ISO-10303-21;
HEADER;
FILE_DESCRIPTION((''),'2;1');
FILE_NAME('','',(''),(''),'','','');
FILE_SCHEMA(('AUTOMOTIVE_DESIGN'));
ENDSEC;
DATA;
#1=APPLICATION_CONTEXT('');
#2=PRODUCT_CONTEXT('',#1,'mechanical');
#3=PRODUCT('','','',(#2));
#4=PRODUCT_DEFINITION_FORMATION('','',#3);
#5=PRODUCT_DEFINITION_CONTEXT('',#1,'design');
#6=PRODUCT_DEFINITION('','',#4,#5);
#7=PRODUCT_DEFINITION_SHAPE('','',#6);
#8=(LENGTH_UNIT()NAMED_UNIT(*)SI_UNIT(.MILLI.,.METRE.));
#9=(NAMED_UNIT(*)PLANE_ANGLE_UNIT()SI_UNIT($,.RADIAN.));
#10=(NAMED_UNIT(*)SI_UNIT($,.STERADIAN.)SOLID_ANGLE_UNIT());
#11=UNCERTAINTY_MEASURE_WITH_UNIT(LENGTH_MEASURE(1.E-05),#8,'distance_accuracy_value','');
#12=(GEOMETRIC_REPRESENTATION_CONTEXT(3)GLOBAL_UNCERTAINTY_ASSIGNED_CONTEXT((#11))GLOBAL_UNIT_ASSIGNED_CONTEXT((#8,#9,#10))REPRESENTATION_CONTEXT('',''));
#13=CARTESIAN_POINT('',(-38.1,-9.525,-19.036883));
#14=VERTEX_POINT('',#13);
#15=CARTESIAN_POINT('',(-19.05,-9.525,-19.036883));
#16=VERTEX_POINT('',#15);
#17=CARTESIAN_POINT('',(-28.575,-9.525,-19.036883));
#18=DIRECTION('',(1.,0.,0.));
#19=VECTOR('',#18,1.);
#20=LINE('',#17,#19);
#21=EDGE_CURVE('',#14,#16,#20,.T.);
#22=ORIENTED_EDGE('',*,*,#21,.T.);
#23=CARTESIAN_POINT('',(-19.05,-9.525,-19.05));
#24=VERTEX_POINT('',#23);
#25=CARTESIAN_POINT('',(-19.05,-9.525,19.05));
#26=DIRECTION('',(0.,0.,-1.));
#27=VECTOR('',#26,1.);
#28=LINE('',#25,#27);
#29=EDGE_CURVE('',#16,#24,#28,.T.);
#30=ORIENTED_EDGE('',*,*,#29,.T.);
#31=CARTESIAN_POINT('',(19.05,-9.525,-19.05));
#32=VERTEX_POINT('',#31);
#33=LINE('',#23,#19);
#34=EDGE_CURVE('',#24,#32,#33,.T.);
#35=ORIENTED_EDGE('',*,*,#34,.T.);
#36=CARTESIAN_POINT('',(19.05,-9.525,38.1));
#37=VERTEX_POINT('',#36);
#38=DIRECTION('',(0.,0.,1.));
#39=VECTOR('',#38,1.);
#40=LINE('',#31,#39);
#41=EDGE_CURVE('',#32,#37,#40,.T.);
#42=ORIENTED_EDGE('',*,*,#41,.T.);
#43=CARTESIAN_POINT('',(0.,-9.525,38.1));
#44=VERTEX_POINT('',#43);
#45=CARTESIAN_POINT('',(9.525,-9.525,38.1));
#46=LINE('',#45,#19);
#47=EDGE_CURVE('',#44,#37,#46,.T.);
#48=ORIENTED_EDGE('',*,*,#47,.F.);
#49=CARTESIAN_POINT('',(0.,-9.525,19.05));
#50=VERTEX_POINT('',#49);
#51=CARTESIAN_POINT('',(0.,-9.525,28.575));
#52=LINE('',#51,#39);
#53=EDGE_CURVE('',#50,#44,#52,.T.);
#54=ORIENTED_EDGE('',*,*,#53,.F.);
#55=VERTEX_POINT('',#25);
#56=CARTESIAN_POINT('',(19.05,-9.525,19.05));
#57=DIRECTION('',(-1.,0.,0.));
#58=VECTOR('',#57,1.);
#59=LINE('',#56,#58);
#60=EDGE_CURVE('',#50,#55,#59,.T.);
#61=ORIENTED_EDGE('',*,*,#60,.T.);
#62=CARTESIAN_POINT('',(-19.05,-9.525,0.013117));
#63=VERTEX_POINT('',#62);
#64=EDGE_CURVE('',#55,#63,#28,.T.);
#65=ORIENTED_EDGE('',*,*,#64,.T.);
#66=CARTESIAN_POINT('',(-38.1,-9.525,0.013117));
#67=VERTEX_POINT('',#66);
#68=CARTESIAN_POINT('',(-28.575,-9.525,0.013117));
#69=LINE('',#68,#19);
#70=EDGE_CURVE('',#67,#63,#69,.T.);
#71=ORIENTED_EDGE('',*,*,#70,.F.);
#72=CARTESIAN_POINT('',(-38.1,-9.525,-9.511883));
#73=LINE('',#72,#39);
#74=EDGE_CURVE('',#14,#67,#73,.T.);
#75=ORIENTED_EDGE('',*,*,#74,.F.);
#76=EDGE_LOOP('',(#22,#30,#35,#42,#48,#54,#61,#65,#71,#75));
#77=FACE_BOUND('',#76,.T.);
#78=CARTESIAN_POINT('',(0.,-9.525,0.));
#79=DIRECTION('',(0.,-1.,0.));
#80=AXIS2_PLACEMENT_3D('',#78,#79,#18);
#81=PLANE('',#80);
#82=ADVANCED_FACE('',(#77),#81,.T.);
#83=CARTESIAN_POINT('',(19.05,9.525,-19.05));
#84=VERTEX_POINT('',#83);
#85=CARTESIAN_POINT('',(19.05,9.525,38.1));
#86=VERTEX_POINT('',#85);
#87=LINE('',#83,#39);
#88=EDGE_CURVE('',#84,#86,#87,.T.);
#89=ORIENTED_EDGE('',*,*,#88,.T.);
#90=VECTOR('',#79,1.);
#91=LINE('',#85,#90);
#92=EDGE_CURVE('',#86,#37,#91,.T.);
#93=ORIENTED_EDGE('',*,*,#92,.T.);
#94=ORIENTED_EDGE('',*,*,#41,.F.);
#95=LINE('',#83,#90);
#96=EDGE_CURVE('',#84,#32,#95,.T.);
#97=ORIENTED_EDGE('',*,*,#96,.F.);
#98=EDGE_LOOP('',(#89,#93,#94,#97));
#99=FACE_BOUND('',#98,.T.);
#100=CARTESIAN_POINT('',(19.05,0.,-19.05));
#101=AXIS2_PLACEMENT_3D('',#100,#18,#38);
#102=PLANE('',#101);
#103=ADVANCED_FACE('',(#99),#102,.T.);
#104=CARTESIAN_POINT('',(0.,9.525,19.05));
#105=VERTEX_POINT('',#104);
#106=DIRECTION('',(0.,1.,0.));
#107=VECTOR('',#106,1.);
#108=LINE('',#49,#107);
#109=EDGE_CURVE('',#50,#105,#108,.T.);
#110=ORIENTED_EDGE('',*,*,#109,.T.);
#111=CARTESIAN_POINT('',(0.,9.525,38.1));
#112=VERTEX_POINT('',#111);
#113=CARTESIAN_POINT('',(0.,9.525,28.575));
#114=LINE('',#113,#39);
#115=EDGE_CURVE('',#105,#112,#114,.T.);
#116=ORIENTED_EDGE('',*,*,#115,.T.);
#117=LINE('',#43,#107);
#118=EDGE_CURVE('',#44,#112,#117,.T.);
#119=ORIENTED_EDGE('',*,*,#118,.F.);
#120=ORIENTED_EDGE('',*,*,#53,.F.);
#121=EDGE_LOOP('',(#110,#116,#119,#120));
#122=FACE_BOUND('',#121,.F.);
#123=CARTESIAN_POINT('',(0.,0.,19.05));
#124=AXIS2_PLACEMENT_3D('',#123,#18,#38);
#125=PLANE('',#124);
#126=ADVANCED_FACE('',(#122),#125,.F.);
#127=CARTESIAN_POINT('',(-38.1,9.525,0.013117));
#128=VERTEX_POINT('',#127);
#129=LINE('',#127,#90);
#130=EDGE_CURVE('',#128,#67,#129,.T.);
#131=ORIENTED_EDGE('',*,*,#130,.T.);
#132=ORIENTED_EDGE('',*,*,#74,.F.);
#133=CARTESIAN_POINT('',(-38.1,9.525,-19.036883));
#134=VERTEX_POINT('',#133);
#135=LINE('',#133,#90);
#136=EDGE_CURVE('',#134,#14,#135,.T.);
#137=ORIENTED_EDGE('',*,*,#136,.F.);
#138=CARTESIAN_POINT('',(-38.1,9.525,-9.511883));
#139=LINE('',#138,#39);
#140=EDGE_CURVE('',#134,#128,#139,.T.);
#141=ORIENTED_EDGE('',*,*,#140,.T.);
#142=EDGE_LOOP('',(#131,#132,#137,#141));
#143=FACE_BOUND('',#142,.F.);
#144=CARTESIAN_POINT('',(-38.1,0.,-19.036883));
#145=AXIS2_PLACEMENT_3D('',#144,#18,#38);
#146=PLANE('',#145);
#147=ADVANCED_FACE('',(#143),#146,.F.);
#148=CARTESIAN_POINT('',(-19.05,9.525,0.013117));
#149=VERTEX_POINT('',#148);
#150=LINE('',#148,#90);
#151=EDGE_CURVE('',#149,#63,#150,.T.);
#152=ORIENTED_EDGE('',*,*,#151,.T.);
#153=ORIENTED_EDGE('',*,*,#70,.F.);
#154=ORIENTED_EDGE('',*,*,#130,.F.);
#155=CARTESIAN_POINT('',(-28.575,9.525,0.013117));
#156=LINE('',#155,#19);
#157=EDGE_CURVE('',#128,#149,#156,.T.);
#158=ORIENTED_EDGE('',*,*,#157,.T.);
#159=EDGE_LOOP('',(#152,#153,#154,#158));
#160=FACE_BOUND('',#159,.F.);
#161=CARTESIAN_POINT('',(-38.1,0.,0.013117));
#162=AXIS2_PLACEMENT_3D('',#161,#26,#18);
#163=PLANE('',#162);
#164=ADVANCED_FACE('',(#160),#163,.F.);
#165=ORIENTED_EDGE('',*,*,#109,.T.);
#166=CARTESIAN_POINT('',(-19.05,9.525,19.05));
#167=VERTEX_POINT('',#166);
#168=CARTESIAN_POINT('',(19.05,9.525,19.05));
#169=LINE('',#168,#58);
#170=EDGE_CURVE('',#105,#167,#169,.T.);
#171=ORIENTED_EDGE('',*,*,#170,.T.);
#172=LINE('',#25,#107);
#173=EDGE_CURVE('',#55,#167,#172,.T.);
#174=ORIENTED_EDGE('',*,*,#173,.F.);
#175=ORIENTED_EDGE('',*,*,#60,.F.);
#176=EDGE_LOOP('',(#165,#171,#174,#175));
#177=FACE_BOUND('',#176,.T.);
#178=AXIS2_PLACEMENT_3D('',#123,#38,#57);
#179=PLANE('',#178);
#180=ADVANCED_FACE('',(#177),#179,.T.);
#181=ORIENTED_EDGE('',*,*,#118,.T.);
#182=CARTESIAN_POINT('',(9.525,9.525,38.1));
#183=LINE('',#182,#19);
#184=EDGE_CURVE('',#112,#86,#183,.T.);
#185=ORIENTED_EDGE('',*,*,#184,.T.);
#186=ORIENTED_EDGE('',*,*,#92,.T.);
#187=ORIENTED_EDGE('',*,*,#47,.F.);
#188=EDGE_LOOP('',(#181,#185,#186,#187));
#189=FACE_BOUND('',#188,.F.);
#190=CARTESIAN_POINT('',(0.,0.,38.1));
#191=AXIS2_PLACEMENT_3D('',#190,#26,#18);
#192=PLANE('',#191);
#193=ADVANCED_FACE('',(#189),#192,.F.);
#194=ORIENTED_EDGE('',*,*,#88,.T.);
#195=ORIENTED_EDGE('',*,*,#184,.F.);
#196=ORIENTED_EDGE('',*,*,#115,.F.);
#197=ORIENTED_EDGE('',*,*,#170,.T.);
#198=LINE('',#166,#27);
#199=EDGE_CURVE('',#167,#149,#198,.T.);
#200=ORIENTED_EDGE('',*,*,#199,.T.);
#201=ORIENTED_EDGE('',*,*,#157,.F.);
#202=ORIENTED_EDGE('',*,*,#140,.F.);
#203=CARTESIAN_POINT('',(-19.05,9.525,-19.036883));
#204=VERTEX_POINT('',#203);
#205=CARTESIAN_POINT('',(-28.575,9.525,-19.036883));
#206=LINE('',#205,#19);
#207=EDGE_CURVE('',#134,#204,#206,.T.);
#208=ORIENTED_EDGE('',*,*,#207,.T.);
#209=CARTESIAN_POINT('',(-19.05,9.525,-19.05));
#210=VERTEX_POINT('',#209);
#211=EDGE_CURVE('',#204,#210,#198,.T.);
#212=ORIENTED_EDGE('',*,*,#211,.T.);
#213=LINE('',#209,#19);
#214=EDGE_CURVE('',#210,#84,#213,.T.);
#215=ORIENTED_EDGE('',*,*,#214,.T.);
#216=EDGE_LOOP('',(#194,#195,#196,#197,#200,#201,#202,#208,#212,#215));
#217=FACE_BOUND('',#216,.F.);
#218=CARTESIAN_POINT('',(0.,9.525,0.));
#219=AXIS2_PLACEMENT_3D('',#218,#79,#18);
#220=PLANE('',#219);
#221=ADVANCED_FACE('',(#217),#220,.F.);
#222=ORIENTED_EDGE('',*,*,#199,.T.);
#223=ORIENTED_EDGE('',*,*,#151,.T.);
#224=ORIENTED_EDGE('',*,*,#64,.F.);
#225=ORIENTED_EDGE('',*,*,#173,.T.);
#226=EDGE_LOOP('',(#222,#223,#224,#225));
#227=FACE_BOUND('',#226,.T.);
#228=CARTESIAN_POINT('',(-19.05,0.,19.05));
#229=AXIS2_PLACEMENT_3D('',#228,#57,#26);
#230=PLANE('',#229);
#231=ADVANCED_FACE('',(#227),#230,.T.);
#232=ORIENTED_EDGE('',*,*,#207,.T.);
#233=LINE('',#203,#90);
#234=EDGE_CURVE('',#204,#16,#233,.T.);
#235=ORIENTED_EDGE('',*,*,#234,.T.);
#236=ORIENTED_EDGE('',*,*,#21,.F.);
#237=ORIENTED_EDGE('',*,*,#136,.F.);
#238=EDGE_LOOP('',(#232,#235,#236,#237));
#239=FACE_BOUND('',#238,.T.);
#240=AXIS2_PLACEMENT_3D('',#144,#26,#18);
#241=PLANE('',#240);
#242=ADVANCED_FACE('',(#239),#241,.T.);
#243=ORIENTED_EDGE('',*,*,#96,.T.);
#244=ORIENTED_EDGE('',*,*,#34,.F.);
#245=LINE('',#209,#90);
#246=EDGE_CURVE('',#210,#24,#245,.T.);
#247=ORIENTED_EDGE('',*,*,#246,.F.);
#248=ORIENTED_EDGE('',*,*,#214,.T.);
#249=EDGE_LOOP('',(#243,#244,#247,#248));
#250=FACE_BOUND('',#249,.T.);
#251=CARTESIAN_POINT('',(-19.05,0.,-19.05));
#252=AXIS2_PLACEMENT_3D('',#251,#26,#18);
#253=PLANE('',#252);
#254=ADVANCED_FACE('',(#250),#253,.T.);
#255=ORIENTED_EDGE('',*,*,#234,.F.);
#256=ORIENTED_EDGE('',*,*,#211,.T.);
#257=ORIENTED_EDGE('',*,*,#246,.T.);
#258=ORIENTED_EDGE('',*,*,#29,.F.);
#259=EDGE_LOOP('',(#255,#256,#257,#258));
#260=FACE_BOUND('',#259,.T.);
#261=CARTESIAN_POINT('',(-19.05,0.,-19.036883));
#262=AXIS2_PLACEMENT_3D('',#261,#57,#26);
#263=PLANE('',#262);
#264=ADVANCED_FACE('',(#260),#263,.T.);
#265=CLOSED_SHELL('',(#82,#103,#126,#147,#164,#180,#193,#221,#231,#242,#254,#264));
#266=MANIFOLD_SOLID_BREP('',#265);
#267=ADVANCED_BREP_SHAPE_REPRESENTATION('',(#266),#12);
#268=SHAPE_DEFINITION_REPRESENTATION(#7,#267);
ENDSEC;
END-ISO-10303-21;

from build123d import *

# Parameters (mm, degrees)
F0_W     = 19.05
F0_H     = 19.05
F1_DEPTH = 9.525


with BuildPart() as f1:
    # F0 (on Front) → F1 (new body, symmetric)
    with BuildSketch(Plane.XZ):
        Polygon((0, 19.05), (-19.05, 19.05), (-19.05, 0.013117), (-19.05, -19.036883), (-19.05, -19.05), (0, -19.05), (19.05, -19.05), (19.05, 19.05), align=None)
        with Locations((9.525, 28.575)):
            Rectangle(F0_W, F0_H)
        with Locations((-28.575, -9.511883)):
            Rectangle(F0_W, F0_H)
    extrude(amount=F1_DEPTH, both=True)


solid = f1.part
